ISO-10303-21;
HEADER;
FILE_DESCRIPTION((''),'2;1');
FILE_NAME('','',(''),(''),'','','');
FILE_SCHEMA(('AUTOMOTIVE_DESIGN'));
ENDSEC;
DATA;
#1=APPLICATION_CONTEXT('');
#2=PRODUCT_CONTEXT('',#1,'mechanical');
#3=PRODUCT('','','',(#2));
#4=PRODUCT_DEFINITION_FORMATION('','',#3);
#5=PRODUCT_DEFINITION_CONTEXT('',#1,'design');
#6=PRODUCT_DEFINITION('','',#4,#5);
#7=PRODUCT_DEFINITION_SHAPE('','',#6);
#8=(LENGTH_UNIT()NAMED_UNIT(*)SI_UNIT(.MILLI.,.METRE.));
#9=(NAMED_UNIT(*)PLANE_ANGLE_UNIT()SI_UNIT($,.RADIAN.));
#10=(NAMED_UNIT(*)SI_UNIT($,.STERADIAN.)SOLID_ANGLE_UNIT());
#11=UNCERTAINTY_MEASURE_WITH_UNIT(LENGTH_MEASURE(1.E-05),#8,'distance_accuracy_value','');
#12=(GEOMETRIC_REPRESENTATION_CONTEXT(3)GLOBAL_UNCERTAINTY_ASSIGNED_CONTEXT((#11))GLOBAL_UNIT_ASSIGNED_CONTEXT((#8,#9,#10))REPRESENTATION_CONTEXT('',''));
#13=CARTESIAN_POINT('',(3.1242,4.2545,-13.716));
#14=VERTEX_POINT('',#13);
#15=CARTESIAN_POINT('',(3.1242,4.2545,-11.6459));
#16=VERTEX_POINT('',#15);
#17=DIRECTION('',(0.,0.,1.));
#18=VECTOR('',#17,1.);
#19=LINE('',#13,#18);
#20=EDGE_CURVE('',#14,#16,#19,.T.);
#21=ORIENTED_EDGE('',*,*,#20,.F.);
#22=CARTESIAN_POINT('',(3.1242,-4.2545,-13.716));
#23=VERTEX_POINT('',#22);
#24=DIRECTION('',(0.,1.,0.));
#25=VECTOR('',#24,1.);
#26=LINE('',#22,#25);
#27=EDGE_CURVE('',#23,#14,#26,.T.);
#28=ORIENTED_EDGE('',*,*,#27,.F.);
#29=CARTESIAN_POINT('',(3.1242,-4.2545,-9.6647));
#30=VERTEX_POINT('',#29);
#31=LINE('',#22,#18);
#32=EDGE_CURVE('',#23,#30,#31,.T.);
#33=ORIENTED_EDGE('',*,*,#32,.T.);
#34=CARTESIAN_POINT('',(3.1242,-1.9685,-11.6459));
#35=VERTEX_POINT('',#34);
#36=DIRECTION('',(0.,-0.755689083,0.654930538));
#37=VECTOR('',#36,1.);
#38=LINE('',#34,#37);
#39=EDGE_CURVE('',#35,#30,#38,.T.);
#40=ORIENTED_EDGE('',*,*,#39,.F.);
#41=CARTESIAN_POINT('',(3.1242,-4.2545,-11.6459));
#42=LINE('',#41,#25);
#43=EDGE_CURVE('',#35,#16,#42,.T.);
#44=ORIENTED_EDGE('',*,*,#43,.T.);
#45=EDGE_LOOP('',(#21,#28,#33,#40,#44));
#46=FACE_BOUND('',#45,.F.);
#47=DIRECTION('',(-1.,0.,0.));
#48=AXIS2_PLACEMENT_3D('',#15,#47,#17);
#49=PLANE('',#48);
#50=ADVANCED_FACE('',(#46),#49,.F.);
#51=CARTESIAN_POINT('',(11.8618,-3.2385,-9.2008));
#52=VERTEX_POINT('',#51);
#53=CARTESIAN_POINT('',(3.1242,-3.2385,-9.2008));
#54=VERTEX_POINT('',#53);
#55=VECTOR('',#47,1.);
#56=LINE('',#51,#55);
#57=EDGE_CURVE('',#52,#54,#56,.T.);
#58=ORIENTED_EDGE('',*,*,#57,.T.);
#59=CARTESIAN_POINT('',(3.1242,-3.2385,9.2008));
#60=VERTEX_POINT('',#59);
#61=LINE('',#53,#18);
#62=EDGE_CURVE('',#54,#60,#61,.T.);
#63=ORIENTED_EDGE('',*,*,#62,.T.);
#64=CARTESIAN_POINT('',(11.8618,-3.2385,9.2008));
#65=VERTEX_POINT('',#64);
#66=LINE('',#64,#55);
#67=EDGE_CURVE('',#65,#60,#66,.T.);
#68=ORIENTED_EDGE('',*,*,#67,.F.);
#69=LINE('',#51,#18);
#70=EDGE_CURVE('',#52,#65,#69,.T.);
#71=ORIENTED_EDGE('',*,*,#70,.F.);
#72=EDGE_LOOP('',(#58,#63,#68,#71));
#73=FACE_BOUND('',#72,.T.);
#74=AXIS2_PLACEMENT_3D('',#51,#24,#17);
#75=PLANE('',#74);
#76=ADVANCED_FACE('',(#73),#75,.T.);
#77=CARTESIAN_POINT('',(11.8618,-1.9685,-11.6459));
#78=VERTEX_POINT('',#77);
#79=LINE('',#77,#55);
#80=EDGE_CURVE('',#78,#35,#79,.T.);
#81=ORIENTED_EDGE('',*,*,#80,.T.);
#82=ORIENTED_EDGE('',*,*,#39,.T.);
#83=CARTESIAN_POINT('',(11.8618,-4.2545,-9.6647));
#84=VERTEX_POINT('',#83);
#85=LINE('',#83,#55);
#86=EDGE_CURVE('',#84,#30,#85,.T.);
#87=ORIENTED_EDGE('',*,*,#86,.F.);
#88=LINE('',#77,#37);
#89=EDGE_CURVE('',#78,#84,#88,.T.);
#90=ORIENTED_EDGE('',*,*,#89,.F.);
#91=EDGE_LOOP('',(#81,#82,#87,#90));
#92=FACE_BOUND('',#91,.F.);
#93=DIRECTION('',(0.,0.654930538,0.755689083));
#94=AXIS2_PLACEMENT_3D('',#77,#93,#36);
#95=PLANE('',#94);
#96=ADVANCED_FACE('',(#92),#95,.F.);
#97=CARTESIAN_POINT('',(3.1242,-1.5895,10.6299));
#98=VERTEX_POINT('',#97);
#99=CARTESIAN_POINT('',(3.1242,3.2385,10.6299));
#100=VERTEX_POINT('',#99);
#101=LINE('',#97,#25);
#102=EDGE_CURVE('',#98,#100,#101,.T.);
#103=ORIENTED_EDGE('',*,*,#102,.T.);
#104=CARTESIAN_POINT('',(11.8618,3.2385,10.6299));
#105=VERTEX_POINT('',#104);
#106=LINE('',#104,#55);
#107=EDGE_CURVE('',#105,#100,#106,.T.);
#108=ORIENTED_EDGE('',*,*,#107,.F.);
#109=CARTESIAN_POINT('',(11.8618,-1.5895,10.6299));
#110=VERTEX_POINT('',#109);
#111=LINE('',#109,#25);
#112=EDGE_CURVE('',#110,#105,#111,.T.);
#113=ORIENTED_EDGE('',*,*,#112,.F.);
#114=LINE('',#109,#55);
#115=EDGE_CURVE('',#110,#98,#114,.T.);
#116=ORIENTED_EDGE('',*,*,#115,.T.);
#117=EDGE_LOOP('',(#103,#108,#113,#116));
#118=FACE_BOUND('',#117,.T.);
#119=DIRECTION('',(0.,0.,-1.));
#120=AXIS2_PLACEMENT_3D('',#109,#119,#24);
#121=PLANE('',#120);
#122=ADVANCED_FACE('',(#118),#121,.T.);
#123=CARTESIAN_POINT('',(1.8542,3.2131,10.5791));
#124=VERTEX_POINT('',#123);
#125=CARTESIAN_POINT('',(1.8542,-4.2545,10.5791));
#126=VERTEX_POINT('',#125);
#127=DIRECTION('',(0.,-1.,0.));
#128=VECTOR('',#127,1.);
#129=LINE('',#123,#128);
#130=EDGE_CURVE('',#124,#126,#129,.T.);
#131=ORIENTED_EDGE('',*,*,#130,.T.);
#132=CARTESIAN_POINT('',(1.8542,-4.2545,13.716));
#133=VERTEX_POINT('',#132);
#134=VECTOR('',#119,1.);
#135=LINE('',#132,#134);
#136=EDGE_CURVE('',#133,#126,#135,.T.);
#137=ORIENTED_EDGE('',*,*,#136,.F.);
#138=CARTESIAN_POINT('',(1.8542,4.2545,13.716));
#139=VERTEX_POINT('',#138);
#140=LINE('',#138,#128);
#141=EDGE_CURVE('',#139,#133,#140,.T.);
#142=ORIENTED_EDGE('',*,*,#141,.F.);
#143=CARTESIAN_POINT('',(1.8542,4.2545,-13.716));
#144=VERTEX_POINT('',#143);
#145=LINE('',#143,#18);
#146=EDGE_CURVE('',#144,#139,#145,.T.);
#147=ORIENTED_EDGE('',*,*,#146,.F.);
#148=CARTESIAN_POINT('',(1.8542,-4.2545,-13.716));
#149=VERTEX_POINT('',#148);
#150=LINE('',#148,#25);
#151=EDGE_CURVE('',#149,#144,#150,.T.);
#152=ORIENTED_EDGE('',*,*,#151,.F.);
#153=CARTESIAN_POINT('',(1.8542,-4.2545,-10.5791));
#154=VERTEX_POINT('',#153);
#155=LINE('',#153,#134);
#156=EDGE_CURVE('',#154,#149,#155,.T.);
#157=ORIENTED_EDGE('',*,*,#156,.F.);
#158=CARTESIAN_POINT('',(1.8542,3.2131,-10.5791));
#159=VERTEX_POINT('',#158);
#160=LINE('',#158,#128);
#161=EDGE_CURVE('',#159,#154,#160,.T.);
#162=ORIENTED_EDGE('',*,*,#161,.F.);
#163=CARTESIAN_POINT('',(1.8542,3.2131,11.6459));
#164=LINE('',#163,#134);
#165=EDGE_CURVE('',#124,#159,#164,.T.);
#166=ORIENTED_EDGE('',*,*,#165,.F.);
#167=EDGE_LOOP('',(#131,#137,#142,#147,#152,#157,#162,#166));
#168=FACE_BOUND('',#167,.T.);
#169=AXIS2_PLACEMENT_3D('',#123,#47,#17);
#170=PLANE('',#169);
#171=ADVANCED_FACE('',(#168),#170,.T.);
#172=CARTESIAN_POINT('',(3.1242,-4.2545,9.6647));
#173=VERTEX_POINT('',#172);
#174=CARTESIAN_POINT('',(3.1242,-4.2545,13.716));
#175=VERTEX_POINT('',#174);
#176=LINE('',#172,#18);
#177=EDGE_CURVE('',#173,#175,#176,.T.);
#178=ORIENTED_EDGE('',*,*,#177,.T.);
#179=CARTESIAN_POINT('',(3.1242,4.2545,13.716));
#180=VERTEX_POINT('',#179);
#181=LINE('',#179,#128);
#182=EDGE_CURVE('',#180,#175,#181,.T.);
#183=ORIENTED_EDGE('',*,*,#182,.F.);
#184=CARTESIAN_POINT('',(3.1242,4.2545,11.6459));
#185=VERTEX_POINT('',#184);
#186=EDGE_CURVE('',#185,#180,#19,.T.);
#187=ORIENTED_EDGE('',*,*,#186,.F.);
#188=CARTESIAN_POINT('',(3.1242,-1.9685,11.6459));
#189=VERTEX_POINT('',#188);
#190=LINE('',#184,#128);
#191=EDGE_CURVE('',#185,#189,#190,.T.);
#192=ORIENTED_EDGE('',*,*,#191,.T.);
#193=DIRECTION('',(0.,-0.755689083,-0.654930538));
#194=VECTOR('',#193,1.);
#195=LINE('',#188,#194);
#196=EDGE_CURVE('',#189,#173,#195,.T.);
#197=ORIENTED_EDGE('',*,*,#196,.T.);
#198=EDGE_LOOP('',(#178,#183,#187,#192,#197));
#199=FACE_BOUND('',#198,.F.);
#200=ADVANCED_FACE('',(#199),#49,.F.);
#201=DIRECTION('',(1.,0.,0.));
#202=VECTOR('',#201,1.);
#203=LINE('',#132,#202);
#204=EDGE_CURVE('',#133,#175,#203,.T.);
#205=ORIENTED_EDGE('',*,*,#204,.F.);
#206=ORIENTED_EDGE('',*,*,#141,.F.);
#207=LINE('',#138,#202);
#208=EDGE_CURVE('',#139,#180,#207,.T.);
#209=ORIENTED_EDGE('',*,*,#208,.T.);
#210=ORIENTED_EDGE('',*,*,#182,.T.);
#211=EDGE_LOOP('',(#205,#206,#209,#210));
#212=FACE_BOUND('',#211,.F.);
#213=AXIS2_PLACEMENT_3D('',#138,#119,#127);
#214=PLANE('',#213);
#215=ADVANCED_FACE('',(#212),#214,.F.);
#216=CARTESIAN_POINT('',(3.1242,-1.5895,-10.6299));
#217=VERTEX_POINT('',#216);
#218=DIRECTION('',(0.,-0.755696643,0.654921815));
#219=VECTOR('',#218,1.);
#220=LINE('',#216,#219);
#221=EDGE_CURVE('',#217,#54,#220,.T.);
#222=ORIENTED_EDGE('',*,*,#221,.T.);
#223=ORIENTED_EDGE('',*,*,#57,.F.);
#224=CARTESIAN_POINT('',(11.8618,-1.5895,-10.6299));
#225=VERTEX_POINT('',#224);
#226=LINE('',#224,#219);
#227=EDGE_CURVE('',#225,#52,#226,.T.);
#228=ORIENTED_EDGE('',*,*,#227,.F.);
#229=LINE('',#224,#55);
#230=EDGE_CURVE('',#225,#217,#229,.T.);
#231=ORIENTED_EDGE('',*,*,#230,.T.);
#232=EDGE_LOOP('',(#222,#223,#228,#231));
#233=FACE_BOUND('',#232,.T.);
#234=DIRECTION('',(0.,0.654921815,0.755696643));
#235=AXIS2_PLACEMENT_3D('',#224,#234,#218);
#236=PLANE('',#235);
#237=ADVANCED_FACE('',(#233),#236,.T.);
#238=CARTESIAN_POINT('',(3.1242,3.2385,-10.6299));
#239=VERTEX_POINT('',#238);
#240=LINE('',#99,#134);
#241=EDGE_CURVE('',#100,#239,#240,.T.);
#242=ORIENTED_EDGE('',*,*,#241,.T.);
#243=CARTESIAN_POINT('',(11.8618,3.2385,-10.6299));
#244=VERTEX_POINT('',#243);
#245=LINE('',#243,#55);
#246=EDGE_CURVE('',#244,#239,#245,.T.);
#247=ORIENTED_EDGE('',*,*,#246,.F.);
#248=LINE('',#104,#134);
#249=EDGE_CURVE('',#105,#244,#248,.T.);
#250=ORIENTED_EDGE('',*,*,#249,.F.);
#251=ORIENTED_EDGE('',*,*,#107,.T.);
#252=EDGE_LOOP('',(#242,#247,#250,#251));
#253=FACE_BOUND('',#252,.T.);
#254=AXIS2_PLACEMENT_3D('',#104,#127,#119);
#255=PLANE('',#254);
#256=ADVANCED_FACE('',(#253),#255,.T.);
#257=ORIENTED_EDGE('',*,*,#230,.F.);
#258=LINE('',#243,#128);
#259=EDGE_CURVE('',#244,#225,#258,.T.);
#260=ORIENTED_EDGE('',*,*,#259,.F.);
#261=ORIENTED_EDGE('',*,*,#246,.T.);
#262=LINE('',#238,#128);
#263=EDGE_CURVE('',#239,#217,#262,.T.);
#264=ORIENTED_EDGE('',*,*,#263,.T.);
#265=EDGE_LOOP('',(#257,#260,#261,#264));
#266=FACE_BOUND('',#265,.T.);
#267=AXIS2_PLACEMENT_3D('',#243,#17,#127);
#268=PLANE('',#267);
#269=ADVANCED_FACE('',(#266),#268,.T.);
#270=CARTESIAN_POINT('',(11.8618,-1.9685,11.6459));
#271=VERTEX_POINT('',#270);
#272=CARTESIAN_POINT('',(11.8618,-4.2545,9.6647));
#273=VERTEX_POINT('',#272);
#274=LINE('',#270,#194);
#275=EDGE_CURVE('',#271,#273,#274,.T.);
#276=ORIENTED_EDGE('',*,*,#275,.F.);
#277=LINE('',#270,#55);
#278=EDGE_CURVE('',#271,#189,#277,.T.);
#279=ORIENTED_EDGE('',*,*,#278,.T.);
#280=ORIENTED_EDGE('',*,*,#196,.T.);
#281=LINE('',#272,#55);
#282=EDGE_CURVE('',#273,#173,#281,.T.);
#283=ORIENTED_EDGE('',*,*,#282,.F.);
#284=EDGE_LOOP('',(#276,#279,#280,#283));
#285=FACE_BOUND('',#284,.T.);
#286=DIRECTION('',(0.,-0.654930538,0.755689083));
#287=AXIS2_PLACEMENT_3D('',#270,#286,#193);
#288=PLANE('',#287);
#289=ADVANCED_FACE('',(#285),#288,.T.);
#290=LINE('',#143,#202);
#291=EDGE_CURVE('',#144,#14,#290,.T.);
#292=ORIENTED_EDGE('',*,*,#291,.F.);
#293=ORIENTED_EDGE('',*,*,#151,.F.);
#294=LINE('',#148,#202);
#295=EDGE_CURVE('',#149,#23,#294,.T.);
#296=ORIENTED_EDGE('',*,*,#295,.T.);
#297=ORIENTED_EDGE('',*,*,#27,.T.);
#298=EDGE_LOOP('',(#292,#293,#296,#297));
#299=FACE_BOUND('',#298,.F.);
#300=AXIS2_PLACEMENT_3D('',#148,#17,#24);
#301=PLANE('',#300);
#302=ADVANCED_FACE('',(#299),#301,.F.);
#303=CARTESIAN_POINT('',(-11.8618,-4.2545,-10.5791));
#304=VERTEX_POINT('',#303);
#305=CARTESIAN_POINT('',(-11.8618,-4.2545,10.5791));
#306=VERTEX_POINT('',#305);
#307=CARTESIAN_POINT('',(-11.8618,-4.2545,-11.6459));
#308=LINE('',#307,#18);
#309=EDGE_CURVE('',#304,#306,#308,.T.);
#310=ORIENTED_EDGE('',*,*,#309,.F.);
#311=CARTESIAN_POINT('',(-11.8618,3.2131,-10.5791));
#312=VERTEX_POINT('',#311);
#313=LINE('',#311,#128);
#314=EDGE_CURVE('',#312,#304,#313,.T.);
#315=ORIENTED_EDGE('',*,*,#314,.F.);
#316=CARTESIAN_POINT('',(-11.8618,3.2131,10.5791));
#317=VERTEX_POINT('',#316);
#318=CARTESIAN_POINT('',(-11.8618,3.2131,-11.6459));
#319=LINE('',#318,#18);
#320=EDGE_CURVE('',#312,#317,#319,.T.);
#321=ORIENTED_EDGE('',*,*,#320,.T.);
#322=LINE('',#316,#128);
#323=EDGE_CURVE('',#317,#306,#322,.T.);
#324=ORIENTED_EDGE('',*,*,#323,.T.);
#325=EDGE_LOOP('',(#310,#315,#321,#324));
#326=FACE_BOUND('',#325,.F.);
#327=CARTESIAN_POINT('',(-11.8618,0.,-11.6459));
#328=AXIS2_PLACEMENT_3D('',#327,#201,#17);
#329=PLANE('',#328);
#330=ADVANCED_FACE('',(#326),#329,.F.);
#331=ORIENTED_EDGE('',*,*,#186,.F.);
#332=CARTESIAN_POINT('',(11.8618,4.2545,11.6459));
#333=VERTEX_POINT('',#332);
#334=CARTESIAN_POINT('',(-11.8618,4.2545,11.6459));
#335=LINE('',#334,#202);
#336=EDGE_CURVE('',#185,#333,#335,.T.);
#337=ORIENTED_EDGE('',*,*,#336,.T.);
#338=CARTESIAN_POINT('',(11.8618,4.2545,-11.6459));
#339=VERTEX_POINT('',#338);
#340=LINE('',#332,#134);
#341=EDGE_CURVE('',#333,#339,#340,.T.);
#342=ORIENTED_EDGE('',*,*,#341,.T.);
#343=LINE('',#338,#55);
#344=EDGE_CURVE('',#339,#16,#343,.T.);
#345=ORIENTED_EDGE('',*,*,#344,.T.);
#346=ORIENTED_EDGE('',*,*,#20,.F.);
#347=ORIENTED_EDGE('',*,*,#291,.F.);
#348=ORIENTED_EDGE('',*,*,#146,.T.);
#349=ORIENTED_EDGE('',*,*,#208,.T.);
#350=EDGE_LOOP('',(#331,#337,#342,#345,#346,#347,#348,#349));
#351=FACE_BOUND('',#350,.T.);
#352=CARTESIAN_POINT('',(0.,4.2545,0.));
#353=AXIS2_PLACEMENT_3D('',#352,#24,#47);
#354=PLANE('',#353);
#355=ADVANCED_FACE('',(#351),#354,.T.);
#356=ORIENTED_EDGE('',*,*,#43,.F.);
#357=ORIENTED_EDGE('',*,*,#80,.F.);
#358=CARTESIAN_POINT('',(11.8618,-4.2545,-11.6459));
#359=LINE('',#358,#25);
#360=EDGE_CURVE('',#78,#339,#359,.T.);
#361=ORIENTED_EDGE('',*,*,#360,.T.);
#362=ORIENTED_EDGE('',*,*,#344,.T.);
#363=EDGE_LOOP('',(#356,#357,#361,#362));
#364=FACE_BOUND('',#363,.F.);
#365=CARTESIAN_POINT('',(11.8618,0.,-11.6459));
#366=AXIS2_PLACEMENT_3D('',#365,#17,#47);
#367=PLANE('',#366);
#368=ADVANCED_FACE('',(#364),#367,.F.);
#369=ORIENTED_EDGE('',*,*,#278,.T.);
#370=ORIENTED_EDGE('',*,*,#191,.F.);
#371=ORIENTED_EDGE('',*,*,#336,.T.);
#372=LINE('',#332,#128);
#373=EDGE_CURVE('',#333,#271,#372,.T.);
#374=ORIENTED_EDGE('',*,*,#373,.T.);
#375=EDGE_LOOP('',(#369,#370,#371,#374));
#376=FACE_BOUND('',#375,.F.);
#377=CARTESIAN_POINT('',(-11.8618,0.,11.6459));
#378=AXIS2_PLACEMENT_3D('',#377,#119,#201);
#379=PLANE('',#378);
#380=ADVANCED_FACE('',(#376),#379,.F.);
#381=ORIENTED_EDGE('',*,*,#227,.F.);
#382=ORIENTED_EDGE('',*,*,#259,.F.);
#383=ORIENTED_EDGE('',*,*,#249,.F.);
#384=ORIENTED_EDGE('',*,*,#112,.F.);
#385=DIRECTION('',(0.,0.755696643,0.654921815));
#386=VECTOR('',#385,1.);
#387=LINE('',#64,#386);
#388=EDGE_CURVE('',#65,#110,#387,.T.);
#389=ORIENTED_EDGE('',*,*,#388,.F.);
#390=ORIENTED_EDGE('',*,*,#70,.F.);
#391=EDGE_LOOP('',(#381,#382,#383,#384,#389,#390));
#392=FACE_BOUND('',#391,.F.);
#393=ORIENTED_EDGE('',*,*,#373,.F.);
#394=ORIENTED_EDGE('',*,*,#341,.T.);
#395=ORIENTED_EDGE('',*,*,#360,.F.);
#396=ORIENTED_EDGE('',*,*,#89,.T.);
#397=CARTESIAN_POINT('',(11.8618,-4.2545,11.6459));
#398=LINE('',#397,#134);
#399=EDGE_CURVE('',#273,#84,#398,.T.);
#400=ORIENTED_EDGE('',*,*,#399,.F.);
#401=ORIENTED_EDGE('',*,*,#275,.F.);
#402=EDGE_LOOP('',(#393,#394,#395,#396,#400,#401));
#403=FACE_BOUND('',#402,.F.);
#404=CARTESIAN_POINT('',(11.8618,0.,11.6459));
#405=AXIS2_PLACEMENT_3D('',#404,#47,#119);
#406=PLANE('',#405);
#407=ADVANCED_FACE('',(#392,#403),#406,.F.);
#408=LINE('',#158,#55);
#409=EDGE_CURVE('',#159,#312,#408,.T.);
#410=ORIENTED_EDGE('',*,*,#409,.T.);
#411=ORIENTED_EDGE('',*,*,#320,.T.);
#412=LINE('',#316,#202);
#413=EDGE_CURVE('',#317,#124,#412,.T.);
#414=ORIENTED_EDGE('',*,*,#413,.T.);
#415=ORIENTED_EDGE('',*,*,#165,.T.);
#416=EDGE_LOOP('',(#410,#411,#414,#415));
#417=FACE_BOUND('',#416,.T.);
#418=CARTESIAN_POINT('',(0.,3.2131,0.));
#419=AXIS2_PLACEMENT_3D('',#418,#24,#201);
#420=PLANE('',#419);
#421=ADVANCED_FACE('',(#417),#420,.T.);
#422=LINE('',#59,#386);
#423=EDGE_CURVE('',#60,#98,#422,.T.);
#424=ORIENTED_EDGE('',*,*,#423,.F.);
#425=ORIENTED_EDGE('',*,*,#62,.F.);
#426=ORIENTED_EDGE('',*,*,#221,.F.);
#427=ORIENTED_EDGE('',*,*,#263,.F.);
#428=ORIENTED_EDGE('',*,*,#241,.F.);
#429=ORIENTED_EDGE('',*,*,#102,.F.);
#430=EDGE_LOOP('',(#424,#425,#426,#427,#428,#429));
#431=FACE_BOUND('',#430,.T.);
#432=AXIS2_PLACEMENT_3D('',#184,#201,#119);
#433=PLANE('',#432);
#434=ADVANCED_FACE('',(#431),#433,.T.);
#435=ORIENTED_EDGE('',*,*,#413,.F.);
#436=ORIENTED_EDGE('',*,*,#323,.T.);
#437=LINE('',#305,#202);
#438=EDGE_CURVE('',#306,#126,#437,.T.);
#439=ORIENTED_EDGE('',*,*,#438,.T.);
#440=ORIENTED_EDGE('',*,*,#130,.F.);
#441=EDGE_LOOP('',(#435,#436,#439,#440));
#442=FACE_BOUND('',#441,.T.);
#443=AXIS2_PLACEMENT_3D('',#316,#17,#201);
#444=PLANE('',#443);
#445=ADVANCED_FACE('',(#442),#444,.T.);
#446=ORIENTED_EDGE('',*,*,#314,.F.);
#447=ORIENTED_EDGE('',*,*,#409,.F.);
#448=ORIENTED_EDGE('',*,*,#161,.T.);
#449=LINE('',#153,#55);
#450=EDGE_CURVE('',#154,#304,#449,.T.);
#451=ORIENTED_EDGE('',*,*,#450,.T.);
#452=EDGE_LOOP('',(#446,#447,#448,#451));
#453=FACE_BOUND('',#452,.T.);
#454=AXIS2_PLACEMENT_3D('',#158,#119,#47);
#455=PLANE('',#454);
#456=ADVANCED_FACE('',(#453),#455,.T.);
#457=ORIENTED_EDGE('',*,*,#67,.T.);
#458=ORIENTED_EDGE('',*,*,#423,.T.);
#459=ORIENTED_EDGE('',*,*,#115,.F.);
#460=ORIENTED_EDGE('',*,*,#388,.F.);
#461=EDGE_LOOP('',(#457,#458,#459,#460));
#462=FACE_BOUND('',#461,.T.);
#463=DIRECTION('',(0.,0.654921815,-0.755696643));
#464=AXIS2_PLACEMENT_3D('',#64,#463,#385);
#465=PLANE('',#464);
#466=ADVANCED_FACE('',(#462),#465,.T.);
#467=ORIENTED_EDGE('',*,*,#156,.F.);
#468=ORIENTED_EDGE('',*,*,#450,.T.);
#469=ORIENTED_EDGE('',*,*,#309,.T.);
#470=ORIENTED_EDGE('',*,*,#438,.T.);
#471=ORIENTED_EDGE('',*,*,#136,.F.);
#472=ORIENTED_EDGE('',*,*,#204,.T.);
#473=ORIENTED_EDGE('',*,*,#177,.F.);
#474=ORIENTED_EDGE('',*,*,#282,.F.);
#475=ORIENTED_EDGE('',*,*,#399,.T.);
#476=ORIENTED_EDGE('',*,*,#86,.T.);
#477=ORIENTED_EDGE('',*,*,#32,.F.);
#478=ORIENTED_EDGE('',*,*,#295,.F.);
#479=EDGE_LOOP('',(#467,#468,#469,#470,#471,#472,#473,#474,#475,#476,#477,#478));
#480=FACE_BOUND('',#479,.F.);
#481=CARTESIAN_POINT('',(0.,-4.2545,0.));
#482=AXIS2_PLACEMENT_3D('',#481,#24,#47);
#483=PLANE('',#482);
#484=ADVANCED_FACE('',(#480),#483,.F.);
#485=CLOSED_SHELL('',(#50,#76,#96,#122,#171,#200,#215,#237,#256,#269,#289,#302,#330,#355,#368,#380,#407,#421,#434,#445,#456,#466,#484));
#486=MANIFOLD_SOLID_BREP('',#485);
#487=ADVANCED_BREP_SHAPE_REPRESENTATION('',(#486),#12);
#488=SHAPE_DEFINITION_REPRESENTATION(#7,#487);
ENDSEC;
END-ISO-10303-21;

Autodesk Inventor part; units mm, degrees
ref_plane "YZ Plane" through (0, 0, 0) normal (1, 0, 0) x (0, 1, 0)
ref_plane "XZ Plane" through (0, 0, 0) normal (0, 1, 0) x (-1, 0, 0)
ref_plane "XY Plane" through (0, 0, 0) normal (0, 0, 1) x (1, 0, 0)
sketch "Sketch1" plane through (0, 0, 0) normal (0, 1, 0) x (-1, 0, 0)
  line L0 (-11.8618, -11.6459) -> (11.8618, -11.6459)
  line L1 (11.8618, -11.6459) -> (11.8618, 11.6459)
  line L2 (11.8618, 11.6459) -> (-11.8618, 11.6459)
  line L3 (-11.8618, 11.6459) -> (-11.8618, -11.6459)
  line L4 (-11.8618, -11.6459) -> (11.8618, 11.6459) construction
  line L5 (11.8618, -11.6459) -> (-11.8618, 11.6459) construction
  point P0 (0, 0)
  dimension "d0" = 23.2918
  dimension "d1" = 23.7236
extrude "Extrusion1" add sketch "Sketch1" along normal mid plane 8.509
sketch "Sketch2" plane through (0, 4.2545, 0) normal (0, 1, 0) x (1, 0, 0)
  line L0 (-11.8618, 11.6459) -> (-11.8618, -11.6459) projected
  line L1 (11.8618, 11.6459) -> (-11.8618, 11.6459) projected
  line L2 (-11.8618, -11.6459) -> (1.8542, -11.6459)
  line L3 (1.8542, -11.6459) -> (1.8542, 11.6459)
  line L4 (1.8542, 11.6459) -> (-11.8618, 11.6459)
  line L5 (-11.8618, 11.6459) -> (-11.8618, -11.6459)
  point P0 (0, 0)
  dimension "d4" = 13.716
extrude "Extrusion2" cut sketch "Sketch2" against normal blind 1.0414
sketch "Sketch3" plane through (0, 3.2131, 0) normal (0, 1, 0) x (1, 0, 0)
  line L0 (-11.8618, -11.6459) -> (-11.8618, 11.6459) projected
  line L1 (1.8542, 11.6459) -> (1.8542, -11.6459) projected
  line L2 (-11.8618, -10.5791) -> (1.8542, -10.5791)
  line L3 (1.8542, -10.5791) -> (1.8542, 10.5791)
  line L4 (1.8542, 10.5791) -> (-11.8618, 10.5791)
  line L5 (-11.8618, 10.5791) -> (-11.8618, -10.5791)
  line L6 (1.8542, -11.6459) -> (-11.8618, -11.6459) projected
  line L7 (-11.8618, 11.6459) -> (1.8542, 11.6459) projected
  line L8 (1.8542, -11.6459) -> (1.8542, -10.5791)
  line L9 (1.8542, 11.6459) -> (1.8542, 10.5791)
  point P0 (0, 0)
  dimension "d7" = 1.0668
  dimension "d8" = 21.1582
  dimension "d9" = 1.0668
extrude "Extrusion3" cut sketch "Sketch3" against normal up to surface (7.4676 mm away) contours L0 L2 L1 L6 | L0 L7 L1 L4
sketch "Sketch4" plane through (1.8542, 4.2545, -11.6459) normal (-1, 0, 0) x (0, 0, 1)
  line L0 (-2.0701, 0) -> (25.3619, 0)
  line L1 (25.3619, 0) -> (25.3619, -8.509)
  line L2 (25.3619, -8.509) -> (-2.0701, -8.509)
  line L3 (-2.0701, -8.509) -> (-2.0701, 0)
  line L4 (23.2918, -8.509) -> (22.225, -8.509) projected
  line L5 (0, 0) -> (23.2918, 0) projected
  line L6 (23.2918, 0) -> (23.2918, -8.509) projected
  line L7 (0, -8.509) -> (0, 0) projected
  point P0 (11.6459, -4.2545)
  dimension "d12" = 27.432
  dimension "d13" = 2.0701
  dimension "d14" = 2.0701
extrude "Extrusion4" add sketch "Sketch4" against normal blind 1.27 contours L0 L7 L2 L3 | L0 L1 L2 L6
sketch "Sketch5" plane through (11.8618, -4.2545, -11.6459) normal (1, 0, 0) x (0, 0, -1)
  line L0 (-23.2918, 8.509) -> (-23.2918, 0) projected
  line L1 (-23.2918, 2.286) -> (-21.3106, 0)
  line L2 (-21.3106, 0) -> (-1.9812, 0)
  line L3 (0, 0) -> (-23.2918, 0) projected
  line L4 (0, 0) -> (0, 8.509) projected
  line L5 (0, 2.286) -> (-1.9812, 0)
  point P0 (-11.6459, 4.2545)
  dimension "d17" = 19.3294
  dimension "d20" = 6.223
  dimension "d21" = 139.086
  dimension "d22" = 139.086
extrude "Extrusion5" cut sketch "Sketch5" against normal up to surface (8.7376 mm away)
sketch "Sketch6" plane through (11.8618, 4.2545, 11.6459) normal (1, 0, 0) x (0, 0, -1)
  line L0 (21.3106, -8.509) -> (23.2918, -6.223) projected
  line L1 (23.2918, -6.223) -> (23.2918, 0) projected
  line L2 (0, 0) -> (23.2918, 0) projected
  line L3 (0, -6.223) -> (0, 0) projected
  line L4 (0, -6.223) -> (1.9812, -8.509) projected
  line L5 (21.3106, -8.509) -> (1.9812, -8.509) projected
  line L6 (2.4451, -7.493) -> (1.016, -5.844)
  line L7 (1.016, -5.844) -> (1.016, -1.016)
  line L8 (1.016, -1.016) -> (22.2758, -1.016)
  line L9 (22.2758, -1.016) -> (22.2758, -5.844)
  line L10 (22.2758, -5.844) -> (20.8467, -7.493)
  line L11 (20.8467, -7.493) -> (2.4451, -7.493)
  point P0 (11.6459, -4.2545)
  dimension "d25" = 1.016
extrude "Extrusion6" cut sketch "Sketch6" against normal up to surface (8.7376 mm away) contours L6 L7 L8 L9 L10 L11
equation "\"d7\" = d9"
equation "\"d13\" = d14"
equation "\"d21\" = d22"
properties part number "MolexConnector"
